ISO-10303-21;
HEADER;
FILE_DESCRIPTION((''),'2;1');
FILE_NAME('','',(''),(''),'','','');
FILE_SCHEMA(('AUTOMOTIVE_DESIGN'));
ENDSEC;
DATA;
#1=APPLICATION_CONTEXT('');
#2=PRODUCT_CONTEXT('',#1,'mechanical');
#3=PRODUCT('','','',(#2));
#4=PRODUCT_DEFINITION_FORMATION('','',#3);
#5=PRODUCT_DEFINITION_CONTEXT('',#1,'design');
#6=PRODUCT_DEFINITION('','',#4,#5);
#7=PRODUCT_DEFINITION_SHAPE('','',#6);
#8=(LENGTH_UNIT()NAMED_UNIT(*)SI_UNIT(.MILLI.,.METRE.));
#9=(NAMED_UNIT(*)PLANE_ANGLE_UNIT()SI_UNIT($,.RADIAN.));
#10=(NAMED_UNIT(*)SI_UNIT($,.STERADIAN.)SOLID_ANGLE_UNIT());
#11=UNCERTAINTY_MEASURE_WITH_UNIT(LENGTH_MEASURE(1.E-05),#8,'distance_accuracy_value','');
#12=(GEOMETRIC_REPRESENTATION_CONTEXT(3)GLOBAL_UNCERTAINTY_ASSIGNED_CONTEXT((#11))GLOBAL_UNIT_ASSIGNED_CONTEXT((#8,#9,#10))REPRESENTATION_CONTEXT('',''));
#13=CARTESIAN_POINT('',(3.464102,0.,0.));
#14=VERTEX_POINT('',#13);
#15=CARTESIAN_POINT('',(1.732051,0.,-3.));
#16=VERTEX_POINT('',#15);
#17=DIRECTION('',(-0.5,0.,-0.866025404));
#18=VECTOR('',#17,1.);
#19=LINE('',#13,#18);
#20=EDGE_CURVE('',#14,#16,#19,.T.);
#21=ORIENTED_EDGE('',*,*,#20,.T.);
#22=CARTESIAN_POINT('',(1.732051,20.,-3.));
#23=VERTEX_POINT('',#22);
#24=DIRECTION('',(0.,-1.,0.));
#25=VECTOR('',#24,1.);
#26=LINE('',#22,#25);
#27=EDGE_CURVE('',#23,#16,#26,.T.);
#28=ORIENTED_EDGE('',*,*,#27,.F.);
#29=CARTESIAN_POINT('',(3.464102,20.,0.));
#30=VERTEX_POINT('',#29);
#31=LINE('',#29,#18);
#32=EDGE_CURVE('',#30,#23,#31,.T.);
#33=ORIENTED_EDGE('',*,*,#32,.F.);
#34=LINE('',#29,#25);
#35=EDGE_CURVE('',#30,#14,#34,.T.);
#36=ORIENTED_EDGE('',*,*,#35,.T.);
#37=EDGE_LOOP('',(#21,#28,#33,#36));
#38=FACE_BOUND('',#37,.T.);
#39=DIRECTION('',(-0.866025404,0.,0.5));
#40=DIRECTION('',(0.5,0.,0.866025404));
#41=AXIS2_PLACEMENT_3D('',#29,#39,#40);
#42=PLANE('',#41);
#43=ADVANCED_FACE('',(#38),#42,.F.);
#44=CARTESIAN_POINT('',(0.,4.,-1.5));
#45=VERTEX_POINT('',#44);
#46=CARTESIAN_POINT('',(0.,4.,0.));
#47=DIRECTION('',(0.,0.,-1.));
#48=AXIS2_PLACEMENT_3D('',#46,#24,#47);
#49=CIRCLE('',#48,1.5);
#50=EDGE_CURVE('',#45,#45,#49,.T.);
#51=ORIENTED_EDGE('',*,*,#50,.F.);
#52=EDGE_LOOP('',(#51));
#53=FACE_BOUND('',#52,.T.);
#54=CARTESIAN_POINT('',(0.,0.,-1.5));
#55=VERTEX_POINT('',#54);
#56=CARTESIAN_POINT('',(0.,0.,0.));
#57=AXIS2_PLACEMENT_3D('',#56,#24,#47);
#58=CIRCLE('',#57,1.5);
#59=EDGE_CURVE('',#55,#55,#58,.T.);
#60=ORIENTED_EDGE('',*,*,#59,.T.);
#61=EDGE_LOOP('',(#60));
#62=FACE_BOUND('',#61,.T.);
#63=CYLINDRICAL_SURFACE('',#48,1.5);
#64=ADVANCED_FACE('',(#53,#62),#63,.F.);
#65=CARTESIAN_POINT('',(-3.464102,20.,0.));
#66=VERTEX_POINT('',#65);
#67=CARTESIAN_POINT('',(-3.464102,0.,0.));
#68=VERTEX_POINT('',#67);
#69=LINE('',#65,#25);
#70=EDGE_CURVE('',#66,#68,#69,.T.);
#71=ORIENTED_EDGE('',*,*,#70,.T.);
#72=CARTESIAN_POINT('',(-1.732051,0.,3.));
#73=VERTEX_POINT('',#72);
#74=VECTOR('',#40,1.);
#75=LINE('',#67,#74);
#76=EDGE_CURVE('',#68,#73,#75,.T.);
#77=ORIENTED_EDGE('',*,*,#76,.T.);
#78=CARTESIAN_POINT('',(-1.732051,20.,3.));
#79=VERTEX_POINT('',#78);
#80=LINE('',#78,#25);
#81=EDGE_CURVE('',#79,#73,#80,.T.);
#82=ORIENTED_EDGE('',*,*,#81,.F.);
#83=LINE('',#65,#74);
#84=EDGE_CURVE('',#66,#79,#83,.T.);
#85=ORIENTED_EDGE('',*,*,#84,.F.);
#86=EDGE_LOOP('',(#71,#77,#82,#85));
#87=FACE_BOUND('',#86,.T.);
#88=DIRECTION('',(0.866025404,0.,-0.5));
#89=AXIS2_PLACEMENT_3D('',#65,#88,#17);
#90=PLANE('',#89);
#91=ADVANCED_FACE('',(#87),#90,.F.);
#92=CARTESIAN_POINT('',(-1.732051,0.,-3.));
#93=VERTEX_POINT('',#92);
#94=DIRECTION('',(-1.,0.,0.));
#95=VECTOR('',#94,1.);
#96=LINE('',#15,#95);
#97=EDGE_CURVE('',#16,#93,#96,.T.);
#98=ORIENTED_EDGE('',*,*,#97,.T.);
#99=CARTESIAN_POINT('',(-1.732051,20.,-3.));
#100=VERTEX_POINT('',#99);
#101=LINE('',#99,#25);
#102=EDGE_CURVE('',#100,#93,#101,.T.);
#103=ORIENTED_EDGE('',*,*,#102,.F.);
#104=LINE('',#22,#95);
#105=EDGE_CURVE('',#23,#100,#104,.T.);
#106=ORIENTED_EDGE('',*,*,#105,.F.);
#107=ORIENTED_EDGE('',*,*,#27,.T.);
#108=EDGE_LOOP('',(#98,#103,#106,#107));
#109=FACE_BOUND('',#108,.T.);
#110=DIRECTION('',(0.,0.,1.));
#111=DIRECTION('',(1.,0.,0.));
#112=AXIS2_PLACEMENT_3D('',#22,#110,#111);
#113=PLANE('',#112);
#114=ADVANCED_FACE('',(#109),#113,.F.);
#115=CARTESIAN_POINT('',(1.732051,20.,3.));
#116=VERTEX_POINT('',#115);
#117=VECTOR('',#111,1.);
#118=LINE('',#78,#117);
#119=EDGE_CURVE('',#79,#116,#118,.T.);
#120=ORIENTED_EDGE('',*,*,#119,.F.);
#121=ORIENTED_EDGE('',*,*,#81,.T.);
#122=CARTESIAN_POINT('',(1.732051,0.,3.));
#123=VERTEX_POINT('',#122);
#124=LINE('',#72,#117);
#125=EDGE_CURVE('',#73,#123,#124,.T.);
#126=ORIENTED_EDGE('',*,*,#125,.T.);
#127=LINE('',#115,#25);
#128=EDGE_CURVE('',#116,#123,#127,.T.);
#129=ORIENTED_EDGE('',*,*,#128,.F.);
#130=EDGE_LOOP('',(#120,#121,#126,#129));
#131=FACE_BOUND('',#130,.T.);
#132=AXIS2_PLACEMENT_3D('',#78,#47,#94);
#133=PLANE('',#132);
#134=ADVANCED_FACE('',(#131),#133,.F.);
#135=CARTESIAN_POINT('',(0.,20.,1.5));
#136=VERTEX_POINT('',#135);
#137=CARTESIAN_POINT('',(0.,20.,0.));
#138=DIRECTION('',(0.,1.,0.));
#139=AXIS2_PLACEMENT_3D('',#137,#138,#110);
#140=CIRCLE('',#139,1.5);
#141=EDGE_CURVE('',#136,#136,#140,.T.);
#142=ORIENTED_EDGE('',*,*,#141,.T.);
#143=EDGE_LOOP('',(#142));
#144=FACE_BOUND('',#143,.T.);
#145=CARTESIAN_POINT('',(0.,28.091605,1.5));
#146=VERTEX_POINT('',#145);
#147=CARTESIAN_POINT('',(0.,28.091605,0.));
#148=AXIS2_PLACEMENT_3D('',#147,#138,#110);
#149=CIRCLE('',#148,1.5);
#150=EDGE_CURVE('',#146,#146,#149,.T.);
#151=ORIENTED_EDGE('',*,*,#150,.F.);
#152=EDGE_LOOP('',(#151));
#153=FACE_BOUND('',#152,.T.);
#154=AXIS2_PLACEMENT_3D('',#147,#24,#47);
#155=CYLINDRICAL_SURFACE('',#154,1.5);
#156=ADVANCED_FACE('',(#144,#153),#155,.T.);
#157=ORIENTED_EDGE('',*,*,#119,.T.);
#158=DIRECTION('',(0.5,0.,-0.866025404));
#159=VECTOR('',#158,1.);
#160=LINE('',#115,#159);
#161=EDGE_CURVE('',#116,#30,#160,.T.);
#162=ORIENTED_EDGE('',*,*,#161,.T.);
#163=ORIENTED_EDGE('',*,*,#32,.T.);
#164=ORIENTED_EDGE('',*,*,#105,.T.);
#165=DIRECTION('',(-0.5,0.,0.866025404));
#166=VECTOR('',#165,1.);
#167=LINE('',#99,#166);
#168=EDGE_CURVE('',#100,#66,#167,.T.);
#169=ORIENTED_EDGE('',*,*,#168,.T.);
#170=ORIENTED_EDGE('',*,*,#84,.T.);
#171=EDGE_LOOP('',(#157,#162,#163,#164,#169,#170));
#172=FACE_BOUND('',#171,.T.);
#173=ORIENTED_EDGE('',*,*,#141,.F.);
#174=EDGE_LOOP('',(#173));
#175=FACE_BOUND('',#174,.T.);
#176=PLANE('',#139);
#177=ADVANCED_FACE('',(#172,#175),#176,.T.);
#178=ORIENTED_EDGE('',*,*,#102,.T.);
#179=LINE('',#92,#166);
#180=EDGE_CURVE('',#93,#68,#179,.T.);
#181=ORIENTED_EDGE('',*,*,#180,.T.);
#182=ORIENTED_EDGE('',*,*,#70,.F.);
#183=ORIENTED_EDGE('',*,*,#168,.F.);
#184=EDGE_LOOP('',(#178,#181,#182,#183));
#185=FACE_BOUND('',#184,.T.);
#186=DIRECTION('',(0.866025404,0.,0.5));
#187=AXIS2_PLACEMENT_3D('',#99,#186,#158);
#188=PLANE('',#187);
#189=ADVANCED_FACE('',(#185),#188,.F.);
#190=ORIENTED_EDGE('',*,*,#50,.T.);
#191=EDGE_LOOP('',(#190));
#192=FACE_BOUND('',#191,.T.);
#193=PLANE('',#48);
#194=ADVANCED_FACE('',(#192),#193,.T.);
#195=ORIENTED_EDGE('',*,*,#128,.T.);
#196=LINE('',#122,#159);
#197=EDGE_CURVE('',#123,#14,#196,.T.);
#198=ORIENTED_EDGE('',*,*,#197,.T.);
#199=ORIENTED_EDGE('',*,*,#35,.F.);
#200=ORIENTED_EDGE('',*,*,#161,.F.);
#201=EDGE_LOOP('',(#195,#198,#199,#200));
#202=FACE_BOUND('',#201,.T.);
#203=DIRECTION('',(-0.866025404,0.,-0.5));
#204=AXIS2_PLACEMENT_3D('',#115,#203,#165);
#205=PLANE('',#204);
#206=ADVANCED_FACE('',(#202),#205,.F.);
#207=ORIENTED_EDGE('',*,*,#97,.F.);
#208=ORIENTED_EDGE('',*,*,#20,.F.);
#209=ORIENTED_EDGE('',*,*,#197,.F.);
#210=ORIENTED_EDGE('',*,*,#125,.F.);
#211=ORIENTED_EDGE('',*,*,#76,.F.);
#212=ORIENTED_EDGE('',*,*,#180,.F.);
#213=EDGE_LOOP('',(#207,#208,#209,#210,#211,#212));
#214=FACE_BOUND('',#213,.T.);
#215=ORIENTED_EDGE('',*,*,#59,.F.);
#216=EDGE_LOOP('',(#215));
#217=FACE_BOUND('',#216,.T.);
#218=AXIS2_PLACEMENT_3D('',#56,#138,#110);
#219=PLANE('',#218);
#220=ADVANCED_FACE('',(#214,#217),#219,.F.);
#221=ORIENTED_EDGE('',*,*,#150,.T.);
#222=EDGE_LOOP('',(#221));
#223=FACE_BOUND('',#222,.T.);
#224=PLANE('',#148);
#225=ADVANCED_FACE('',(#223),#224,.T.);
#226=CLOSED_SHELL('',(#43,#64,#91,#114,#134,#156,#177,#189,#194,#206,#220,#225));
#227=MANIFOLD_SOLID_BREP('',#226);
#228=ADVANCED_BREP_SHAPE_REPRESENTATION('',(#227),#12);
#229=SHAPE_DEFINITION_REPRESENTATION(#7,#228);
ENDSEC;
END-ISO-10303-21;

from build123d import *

# Parameters (mm, degrees)
BOSS_EXTRUDE1_DEPTH = 20
SKETCH5_R           = 1.5
BOSS_EXTRUDE2_DEPTH = 8.091605471
SKETCH6_R           = 1.5
CUT_EXTRUDE1_DEPTH  = 4


with BuildPart() as part:
    # Sketch3 → Boss-Extrude1 (new body)
    with BuildSketch(Plane(origin=(0, 0, 0), x_dir=(1, 0, 0), z_dir=(0, 1, 0))):
        Polygon((-3.464101615, 0), (-1.732050808, -3), (1.732050808, -3), (3.464101615, 0), (1.732050808, 3), (-1.732050808, 3), align=None)
    extrude(amount=BOSS_EXTRUDE1_DEPTH)

    # Sketch5 → Boss-Extrude2 (add)
    with BuildSketch(Plane(origin=(0, 20, 0), x_dir=(1, 0, 0), z_dir=(0, 1, 0))):
        with Locations(Location((0, 0, 0), (0, 0, 270))):
            Circle(SKETCH5_R)
    extrude(amount=BOSS_EXTRUDE2_DEPTH)

    # Sketch6 → Cut-Extrude1 (cut)
    with BuildSketch(Plane.XZ):
        with Locations(Location((0, 0, 0), (0, 0, 90))):
            Circle(SKETCH6_R)
    extrude(amount=-CUT_EXTRUDE1_DEPTH, mode=Mode.SUBTRACT)


solid = part.part
